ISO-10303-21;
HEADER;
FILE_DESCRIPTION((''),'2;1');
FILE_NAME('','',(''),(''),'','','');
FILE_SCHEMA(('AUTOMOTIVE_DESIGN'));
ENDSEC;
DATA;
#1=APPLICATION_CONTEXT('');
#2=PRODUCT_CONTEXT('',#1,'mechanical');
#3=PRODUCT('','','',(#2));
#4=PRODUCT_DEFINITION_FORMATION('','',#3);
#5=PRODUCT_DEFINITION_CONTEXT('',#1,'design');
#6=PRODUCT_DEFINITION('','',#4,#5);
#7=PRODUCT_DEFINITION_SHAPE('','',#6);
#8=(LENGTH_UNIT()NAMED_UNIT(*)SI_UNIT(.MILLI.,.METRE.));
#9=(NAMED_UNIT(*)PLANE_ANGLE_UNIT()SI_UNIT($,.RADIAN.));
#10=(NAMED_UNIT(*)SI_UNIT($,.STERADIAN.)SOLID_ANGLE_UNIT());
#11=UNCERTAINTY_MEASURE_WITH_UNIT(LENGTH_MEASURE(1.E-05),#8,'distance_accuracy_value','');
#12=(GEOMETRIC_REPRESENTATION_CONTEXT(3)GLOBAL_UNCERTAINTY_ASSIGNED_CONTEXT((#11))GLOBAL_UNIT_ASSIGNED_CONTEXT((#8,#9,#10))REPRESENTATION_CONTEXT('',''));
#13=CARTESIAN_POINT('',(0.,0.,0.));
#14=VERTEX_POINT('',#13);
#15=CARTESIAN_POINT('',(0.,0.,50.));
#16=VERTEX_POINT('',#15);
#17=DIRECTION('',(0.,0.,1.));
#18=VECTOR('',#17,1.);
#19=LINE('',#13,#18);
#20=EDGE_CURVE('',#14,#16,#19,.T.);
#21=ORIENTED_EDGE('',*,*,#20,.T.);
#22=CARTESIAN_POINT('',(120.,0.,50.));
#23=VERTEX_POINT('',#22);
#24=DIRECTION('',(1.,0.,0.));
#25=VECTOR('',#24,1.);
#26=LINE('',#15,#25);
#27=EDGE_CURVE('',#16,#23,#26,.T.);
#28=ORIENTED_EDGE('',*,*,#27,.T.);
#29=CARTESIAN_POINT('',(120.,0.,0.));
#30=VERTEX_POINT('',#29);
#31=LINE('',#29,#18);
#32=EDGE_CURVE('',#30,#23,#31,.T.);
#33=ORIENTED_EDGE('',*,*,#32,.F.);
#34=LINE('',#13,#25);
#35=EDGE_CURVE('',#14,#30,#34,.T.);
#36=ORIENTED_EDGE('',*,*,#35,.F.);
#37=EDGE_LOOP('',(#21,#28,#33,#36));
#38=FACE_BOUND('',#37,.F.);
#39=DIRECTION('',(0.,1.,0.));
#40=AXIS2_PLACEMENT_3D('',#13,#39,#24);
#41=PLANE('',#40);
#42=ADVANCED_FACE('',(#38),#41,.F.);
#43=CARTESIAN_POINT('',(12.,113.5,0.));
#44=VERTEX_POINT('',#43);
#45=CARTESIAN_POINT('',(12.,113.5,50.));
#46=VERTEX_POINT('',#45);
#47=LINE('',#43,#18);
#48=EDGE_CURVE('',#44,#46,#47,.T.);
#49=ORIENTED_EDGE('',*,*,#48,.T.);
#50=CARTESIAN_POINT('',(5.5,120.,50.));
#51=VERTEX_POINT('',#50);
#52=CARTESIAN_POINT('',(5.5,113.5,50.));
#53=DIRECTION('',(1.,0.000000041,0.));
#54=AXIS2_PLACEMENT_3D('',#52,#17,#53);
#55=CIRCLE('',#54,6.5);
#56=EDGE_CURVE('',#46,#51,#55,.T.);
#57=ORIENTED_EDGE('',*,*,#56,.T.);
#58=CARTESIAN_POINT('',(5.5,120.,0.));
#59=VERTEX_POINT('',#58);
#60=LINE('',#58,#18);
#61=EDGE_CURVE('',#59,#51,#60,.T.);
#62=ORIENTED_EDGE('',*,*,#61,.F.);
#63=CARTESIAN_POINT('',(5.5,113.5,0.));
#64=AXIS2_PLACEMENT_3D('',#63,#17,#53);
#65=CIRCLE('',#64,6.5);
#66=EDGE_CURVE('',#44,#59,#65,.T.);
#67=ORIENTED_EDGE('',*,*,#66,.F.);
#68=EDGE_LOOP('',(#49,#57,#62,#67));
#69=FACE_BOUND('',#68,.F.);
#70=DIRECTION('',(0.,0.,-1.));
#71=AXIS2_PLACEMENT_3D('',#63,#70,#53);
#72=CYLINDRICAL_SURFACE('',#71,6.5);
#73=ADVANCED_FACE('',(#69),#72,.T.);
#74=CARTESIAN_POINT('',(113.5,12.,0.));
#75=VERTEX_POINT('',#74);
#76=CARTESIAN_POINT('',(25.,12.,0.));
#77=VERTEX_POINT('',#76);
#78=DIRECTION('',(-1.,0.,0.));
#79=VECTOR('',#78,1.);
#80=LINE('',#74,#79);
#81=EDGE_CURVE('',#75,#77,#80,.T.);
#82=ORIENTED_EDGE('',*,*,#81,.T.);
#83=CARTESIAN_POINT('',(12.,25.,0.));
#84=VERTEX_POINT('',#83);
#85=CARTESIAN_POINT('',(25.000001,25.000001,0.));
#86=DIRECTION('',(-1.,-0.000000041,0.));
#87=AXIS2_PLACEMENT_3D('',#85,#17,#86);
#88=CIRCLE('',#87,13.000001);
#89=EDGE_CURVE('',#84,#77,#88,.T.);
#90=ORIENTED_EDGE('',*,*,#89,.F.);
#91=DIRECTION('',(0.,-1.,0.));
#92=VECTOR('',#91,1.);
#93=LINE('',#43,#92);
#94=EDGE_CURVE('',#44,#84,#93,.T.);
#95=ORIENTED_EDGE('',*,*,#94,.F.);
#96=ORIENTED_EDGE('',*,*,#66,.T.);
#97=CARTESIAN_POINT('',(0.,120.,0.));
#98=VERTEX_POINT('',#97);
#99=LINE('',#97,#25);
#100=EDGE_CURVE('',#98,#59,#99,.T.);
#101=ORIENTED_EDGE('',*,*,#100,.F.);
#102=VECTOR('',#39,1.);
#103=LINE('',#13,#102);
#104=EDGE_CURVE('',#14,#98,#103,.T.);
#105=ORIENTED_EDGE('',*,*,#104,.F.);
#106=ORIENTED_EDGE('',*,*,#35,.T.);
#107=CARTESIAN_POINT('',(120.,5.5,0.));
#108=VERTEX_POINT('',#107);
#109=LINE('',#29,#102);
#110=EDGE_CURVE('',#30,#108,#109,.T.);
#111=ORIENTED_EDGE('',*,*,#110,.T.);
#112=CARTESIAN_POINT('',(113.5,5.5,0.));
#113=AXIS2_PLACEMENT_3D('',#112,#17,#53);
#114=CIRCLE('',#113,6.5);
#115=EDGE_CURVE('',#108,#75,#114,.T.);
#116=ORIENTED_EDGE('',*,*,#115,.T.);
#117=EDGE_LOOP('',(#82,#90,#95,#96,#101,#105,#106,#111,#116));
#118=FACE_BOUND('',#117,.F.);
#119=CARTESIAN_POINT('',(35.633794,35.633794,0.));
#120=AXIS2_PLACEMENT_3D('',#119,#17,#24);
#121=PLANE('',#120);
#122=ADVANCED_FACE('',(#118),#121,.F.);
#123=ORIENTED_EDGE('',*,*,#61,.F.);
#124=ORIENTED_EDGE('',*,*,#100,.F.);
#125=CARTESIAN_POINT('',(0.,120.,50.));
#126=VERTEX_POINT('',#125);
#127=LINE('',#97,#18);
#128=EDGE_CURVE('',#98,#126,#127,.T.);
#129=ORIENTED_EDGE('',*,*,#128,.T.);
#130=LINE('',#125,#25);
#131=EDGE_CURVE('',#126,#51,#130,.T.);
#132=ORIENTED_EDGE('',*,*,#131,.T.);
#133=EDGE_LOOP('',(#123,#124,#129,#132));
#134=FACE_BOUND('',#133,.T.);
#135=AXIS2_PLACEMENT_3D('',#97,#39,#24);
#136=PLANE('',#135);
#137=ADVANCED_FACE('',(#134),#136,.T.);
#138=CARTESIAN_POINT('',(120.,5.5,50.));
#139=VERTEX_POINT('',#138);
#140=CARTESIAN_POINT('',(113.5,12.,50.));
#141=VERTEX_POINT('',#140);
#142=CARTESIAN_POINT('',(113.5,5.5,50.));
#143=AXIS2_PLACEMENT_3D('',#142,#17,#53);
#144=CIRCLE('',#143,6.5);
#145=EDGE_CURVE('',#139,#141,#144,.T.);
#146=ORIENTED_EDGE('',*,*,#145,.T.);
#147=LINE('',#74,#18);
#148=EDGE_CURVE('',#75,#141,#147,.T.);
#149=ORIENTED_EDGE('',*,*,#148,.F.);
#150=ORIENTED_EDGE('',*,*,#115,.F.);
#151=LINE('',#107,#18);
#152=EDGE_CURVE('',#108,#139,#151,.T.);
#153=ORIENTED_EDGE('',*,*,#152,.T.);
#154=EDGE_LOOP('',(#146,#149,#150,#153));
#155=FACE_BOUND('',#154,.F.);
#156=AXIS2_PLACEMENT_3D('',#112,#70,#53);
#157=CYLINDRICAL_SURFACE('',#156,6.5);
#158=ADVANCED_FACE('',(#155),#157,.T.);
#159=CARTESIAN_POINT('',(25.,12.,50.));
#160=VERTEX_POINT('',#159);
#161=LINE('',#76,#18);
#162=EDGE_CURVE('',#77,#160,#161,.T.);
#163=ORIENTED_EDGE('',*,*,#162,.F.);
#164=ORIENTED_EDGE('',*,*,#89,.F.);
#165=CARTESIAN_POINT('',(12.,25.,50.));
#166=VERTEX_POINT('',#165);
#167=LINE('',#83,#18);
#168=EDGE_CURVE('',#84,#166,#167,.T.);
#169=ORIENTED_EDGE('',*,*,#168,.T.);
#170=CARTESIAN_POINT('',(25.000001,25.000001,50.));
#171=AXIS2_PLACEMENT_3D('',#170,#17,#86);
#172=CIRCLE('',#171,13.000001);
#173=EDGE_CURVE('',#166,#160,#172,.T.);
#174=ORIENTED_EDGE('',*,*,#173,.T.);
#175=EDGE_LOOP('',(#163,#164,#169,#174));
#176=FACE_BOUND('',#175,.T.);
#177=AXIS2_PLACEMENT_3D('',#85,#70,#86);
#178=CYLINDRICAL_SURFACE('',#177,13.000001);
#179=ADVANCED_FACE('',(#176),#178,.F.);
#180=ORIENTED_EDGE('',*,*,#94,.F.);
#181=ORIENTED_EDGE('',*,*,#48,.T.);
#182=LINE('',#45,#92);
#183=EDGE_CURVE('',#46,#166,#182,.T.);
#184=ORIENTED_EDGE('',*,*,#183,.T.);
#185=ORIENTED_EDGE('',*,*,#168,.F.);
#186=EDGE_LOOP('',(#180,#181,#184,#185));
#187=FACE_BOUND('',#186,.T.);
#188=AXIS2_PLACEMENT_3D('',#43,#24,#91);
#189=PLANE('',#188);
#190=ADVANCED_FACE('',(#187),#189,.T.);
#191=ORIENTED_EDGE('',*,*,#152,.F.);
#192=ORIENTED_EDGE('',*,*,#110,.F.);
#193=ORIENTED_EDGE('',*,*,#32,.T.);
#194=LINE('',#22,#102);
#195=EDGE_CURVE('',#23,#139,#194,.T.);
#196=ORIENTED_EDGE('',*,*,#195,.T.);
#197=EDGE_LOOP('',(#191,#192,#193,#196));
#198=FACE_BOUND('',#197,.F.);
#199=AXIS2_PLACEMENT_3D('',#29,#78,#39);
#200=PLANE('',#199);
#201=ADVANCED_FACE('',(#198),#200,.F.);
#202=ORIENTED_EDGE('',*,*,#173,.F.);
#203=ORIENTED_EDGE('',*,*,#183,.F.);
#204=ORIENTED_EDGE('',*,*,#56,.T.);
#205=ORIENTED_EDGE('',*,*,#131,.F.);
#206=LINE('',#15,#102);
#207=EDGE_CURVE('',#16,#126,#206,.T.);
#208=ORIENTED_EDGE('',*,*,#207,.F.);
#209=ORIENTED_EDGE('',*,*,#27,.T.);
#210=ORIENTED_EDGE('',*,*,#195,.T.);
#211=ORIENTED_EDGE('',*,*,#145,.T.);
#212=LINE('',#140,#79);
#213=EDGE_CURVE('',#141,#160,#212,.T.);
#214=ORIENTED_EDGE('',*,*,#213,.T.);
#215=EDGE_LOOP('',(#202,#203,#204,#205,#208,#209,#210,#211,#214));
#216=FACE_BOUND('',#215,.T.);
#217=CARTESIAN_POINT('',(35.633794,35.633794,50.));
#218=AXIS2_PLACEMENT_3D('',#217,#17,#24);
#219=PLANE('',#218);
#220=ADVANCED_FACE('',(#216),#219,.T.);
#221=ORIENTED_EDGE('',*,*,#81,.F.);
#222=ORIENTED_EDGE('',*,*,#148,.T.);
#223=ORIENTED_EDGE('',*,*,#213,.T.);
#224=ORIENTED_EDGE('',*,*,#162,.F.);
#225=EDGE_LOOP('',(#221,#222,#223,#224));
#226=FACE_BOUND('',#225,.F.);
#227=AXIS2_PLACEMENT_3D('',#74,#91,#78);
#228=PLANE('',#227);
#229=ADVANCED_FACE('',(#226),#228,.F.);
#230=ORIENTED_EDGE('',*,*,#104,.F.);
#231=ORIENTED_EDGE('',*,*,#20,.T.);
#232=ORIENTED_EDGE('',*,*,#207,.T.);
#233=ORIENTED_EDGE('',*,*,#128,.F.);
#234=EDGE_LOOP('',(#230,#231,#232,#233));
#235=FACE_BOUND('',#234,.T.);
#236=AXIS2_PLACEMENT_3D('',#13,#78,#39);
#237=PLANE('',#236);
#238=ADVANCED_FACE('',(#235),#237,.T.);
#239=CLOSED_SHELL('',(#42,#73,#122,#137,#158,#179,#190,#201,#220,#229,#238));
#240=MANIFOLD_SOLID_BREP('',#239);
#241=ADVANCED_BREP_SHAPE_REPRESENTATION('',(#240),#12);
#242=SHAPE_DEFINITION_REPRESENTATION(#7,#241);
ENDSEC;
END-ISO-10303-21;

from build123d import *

# Parameters (mm, degrees)
EXTRUDE_DEPTH = 50


with BuildPart() as part:
    # Sketch → Extrude (new body)
    with BuildSketch(Plane.XY):
        with BuildLine():
            Line((0, 0), (120, 0))
            Line((120, 0), (120, 5.5))
            ThreePointArc((120, 5.5), (118.096194, 10.096194), (113.5, 12))
            Line((113.5, 12), (25, 12))
            ThreePointArc((12, 25), (15.807612, 15.807612), (25, 12))
            Line((12, 113.5), (12, 25))
            ThreePointArc((12, 113.5), (10.096194, 118.096194), (5.5, 120))
            Line((0, 120), (5.5, 120))
            Line((0, 0), (0, 120))
        make_face()
    extrude(amount=EXTRUDE_DEPTH)


solid = part.part
